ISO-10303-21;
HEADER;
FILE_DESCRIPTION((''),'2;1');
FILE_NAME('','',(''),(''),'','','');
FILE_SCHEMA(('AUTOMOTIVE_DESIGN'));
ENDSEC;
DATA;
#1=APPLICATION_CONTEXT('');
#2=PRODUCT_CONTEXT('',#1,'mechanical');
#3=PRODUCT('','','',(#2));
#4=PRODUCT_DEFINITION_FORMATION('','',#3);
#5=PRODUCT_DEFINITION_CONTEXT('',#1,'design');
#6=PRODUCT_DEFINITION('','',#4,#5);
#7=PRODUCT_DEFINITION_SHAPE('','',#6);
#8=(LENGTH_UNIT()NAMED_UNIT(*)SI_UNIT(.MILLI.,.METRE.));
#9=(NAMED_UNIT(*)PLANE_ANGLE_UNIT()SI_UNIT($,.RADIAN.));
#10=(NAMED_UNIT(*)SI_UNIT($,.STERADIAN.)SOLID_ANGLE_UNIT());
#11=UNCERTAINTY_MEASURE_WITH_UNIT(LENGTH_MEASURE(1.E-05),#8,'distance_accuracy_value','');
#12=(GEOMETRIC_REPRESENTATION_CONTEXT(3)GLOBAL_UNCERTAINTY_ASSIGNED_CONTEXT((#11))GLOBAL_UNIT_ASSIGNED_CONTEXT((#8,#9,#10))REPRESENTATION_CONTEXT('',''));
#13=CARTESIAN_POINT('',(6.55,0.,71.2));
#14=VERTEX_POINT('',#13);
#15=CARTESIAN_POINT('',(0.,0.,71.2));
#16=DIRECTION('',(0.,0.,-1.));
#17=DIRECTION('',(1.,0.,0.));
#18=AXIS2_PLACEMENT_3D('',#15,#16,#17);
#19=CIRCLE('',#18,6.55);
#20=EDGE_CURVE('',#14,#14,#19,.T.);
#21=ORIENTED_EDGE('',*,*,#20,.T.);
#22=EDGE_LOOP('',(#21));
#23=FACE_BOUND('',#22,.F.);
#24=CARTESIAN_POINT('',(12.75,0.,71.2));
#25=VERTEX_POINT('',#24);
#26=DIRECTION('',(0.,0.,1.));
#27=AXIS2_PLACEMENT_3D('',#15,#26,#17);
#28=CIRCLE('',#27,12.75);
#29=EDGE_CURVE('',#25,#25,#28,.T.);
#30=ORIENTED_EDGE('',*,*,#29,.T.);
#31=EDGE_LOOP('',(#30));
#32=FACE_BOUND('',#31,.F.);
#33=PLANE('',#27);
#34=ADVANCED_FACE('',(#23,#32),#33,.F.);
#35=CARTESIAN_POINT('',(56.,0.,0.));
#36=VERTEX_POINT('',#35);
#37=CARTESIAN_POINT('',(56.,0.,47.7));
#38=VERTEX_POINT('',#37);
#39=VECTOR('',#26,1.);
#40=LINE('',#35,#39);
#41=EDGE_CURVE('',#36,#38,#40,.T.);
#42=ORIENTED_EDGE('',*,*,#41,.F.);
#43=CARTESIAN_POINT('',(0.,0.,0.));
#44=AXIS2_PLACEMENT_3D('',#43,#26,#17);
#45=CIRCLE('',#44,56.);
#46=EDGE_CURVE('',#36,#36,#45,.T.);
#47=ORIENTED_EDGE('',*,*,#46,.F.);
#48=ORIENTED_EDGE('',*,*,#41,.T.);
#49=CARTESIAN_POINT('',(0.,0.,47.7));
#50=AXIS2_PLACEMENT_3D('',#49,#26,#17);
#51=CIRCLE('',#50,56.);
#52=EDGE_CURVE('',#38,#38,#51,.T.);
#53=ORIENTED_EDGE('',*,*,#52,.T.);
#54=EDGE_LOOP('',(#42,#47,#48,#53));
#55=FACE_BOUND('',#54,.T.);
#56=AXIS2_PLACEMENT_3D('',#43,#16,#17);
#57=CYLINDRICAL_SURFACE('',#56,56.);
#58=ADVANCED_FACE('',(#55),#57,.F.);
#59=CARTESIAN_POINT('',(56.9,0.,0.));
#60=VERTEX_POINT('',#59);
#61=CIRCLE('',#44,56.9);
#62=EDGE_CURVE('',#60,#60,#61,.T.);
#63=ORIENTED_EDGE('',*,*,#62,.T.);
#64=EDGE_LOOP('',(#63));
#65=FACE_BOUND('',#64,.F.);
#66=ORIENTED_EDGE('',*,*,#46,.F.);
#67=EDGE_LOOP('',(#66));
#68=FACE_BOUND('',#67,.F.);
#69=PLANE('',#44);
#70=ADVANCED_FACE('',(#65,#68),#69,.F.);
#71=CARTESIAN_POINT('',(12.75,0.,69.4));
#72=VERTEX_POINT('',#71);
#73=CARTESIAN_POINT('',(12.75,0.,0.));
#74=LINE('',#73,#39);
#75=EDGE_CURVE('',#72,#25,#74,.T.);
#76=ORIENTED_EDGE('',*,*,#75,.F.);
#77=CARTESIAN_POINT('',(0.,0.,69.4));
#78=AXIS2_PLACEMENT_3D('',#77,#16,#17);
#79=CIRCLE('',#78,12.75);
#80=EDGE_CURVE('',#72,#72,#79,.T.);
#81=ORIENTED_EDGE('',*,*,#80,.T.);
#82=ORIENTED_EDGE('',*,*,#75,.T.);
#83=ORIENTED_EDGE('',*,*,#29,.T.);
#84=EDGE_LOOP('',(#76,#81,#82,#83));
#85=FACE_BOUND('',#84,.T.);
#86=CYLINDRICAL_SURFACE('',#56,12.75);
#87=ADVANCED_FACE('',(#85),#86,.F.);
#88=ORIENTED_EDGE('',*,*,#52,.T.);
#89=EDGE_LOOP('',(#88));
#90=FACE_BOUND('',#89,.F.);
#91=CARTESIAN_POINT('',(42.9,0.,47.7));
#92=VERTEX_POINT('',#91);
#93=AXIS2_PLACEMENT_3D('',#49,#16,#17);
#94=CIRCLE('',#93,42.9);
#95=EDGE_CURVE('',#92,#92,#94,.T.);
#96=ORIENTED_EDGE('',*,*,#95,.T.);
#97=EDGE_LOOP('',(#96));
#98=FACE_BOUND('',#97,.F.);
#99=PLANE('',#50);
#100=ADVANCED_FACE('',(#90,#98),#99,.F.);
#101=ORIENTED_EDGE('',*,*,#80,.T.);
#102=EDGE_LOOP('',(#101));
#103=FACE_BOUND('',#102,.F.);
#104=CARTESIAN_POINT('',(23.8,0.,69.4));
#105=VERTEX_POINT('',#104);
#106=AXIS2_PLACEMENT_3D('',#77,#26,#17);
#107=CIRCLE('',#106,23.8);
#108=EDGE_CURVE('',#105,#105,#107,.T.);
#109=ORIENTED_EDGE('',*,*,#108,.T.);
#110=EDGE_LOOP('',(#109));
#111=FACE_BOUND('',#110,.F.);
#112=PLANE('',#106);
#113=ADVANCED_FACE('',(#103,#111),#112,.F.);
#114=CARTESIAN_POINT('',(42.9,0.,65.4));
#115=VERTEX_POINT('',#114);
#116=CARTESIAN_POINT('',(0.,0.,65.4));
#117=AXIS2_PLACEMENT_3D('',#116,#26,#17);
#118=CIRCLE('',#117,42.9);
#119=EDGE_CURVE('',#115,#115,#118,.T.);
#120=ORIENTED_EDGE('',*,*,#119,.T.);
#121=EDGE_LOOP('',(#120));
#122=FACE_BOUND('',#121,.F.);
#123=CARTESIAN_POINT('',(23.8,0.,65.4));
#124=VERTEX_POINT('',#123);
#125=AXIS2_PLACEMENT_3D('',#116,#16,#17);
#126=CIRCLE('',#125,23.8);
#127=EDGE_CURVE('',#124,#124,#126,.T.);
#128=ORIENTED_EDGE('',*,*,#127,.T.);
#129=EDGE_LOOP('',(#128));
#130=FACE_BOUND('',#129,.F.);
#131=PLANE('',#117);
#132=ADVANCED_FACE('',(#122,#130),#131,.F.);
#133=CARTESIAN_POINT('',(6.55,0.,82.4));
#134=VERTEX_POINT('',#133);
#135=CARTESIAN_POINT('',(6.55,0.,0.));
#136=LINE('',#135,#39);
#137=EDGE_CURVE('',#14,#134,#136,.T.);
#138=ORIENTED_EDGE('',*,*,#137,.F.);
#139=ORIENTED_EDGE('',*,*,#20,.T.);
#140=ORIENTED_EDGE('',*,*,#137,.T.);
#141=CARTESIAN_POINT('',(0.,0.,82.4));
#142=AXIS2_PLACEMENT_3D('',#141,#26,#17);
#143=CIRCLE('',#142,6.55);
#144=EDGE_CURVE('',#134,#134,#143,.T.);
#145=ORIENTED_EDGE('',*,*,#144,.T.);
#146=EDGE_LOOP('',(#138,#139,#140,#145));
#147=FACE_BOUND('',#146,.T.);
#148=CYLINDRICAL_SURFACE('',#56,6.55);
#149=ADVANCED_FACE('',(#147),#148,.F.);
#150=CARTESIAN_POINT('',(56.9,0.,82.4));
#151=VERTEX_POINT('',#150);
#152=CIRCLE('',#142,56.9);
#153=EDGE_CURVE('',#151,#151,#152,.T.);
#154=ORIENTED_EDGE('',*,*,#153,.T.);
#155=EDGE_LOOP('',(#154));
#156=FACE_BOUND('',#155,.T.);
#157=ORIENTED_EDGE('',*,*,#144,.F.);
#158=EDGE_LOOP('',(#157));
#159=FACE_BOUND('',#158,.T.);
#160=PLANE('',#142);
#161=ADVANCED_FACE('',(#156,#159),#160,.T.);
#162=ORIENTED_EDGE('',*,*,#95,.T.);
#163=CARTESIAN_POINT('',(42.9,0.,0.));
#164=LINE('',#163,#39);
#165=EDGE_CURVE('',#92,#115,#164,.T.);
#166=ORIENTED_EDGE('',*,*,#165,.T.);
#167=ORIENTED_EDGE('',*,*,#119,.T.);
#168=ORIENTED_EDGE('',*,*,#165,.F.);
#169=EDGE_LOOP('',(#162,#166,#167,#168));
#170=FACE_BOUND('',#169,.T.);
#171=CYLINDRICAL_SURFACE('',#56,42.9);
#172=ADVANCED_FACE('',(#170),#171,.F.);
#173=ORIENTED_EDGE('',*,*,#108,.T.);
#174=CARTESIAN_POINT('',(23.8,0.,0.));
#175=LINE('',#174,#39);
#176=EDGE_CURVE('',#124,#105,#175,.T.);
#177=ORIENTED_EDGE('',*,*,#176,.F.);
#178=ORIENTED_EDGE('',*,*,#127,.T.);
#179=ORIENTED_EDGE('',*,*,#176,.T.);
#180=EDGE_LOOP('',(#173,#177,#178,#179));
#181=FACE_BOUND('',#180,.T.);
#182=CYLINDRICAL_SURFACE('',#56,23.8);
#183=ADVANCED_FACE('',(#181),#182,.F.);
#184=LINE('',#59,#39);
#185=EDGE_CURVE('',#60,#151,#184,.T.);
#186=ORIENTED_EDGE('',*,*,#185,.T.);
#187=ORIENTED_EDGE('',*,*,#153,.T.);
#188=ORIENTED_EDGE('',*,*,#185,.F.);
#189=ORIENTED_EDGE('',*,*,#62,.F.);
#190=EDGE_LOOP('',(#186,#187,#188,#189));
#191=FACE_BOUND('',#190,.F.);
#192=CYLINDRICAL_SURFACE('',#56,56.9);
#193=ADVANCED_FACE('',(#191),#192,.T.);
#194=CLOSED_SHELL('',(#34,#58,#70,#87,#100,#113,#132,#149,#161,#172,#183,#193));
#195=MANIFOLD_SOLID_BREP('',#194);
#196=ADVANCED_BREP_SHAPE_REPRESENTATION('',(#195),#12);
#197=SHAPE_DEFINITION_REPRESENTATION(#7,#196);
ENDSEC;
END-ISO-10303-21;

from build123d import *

# Parameters (mm, degrees)
F0_R      = 56.9
F1_DEPTH  = 82.4
F2_R      = 6.55
F3_DEPTH  = 82.4
F4_R      = 56
F5_DEPTH  = 47.7
F6_R      = 42.9
F7_DEPTH  = 65.4
F8_R      = 23.8
F9_DEPTH  = 69.4
F10_R     = 12.75
F11_DEPTH = 71.2


with BuildPart() as f1:
    # F0 (on Top) → F1 (new body)
    with BuildSketch(Plane.XY):
        Circle(F0_R)
    extrude(amount=F1_DEPTH)

    # F2 (on Top) → F3 (cut)
    with BuildSketch(Plane.XY):
        Circle(F2_R)
    extrude(amount=F3_DEPTH, mode=Mode.SUBTRACT)

    # F4 (on Top) → F5 (cut)
    with BuildSketch(Plane.XY):
        Circle(F4_R)
    extrude(amount=F5_DEPTH, mode=Mode.SUBTRACT)

    # F6 (on Top) → F7 (cut)
    with BuildSketch(Plane.XY):
        Circle(F6_R)
    extrude(amount=F7_DEPTH, mode=Mode.SUBTRACT)

    # F8 (on Top) → F9 (cut)
    with BuildSketch(Plane.XY):
        Circle(F8_R)
    extrude(amount=F9_DEPTH, mode=Mode.SUBTRACT)

    # F10 (on Top) → F11 (cut)
    with BuildSketch(Plane.XY):
        Circle(F10_R)
    extrude(amount=F11_DEPTH, mode=Mode.SUBTRACT)


solid = f1.part
